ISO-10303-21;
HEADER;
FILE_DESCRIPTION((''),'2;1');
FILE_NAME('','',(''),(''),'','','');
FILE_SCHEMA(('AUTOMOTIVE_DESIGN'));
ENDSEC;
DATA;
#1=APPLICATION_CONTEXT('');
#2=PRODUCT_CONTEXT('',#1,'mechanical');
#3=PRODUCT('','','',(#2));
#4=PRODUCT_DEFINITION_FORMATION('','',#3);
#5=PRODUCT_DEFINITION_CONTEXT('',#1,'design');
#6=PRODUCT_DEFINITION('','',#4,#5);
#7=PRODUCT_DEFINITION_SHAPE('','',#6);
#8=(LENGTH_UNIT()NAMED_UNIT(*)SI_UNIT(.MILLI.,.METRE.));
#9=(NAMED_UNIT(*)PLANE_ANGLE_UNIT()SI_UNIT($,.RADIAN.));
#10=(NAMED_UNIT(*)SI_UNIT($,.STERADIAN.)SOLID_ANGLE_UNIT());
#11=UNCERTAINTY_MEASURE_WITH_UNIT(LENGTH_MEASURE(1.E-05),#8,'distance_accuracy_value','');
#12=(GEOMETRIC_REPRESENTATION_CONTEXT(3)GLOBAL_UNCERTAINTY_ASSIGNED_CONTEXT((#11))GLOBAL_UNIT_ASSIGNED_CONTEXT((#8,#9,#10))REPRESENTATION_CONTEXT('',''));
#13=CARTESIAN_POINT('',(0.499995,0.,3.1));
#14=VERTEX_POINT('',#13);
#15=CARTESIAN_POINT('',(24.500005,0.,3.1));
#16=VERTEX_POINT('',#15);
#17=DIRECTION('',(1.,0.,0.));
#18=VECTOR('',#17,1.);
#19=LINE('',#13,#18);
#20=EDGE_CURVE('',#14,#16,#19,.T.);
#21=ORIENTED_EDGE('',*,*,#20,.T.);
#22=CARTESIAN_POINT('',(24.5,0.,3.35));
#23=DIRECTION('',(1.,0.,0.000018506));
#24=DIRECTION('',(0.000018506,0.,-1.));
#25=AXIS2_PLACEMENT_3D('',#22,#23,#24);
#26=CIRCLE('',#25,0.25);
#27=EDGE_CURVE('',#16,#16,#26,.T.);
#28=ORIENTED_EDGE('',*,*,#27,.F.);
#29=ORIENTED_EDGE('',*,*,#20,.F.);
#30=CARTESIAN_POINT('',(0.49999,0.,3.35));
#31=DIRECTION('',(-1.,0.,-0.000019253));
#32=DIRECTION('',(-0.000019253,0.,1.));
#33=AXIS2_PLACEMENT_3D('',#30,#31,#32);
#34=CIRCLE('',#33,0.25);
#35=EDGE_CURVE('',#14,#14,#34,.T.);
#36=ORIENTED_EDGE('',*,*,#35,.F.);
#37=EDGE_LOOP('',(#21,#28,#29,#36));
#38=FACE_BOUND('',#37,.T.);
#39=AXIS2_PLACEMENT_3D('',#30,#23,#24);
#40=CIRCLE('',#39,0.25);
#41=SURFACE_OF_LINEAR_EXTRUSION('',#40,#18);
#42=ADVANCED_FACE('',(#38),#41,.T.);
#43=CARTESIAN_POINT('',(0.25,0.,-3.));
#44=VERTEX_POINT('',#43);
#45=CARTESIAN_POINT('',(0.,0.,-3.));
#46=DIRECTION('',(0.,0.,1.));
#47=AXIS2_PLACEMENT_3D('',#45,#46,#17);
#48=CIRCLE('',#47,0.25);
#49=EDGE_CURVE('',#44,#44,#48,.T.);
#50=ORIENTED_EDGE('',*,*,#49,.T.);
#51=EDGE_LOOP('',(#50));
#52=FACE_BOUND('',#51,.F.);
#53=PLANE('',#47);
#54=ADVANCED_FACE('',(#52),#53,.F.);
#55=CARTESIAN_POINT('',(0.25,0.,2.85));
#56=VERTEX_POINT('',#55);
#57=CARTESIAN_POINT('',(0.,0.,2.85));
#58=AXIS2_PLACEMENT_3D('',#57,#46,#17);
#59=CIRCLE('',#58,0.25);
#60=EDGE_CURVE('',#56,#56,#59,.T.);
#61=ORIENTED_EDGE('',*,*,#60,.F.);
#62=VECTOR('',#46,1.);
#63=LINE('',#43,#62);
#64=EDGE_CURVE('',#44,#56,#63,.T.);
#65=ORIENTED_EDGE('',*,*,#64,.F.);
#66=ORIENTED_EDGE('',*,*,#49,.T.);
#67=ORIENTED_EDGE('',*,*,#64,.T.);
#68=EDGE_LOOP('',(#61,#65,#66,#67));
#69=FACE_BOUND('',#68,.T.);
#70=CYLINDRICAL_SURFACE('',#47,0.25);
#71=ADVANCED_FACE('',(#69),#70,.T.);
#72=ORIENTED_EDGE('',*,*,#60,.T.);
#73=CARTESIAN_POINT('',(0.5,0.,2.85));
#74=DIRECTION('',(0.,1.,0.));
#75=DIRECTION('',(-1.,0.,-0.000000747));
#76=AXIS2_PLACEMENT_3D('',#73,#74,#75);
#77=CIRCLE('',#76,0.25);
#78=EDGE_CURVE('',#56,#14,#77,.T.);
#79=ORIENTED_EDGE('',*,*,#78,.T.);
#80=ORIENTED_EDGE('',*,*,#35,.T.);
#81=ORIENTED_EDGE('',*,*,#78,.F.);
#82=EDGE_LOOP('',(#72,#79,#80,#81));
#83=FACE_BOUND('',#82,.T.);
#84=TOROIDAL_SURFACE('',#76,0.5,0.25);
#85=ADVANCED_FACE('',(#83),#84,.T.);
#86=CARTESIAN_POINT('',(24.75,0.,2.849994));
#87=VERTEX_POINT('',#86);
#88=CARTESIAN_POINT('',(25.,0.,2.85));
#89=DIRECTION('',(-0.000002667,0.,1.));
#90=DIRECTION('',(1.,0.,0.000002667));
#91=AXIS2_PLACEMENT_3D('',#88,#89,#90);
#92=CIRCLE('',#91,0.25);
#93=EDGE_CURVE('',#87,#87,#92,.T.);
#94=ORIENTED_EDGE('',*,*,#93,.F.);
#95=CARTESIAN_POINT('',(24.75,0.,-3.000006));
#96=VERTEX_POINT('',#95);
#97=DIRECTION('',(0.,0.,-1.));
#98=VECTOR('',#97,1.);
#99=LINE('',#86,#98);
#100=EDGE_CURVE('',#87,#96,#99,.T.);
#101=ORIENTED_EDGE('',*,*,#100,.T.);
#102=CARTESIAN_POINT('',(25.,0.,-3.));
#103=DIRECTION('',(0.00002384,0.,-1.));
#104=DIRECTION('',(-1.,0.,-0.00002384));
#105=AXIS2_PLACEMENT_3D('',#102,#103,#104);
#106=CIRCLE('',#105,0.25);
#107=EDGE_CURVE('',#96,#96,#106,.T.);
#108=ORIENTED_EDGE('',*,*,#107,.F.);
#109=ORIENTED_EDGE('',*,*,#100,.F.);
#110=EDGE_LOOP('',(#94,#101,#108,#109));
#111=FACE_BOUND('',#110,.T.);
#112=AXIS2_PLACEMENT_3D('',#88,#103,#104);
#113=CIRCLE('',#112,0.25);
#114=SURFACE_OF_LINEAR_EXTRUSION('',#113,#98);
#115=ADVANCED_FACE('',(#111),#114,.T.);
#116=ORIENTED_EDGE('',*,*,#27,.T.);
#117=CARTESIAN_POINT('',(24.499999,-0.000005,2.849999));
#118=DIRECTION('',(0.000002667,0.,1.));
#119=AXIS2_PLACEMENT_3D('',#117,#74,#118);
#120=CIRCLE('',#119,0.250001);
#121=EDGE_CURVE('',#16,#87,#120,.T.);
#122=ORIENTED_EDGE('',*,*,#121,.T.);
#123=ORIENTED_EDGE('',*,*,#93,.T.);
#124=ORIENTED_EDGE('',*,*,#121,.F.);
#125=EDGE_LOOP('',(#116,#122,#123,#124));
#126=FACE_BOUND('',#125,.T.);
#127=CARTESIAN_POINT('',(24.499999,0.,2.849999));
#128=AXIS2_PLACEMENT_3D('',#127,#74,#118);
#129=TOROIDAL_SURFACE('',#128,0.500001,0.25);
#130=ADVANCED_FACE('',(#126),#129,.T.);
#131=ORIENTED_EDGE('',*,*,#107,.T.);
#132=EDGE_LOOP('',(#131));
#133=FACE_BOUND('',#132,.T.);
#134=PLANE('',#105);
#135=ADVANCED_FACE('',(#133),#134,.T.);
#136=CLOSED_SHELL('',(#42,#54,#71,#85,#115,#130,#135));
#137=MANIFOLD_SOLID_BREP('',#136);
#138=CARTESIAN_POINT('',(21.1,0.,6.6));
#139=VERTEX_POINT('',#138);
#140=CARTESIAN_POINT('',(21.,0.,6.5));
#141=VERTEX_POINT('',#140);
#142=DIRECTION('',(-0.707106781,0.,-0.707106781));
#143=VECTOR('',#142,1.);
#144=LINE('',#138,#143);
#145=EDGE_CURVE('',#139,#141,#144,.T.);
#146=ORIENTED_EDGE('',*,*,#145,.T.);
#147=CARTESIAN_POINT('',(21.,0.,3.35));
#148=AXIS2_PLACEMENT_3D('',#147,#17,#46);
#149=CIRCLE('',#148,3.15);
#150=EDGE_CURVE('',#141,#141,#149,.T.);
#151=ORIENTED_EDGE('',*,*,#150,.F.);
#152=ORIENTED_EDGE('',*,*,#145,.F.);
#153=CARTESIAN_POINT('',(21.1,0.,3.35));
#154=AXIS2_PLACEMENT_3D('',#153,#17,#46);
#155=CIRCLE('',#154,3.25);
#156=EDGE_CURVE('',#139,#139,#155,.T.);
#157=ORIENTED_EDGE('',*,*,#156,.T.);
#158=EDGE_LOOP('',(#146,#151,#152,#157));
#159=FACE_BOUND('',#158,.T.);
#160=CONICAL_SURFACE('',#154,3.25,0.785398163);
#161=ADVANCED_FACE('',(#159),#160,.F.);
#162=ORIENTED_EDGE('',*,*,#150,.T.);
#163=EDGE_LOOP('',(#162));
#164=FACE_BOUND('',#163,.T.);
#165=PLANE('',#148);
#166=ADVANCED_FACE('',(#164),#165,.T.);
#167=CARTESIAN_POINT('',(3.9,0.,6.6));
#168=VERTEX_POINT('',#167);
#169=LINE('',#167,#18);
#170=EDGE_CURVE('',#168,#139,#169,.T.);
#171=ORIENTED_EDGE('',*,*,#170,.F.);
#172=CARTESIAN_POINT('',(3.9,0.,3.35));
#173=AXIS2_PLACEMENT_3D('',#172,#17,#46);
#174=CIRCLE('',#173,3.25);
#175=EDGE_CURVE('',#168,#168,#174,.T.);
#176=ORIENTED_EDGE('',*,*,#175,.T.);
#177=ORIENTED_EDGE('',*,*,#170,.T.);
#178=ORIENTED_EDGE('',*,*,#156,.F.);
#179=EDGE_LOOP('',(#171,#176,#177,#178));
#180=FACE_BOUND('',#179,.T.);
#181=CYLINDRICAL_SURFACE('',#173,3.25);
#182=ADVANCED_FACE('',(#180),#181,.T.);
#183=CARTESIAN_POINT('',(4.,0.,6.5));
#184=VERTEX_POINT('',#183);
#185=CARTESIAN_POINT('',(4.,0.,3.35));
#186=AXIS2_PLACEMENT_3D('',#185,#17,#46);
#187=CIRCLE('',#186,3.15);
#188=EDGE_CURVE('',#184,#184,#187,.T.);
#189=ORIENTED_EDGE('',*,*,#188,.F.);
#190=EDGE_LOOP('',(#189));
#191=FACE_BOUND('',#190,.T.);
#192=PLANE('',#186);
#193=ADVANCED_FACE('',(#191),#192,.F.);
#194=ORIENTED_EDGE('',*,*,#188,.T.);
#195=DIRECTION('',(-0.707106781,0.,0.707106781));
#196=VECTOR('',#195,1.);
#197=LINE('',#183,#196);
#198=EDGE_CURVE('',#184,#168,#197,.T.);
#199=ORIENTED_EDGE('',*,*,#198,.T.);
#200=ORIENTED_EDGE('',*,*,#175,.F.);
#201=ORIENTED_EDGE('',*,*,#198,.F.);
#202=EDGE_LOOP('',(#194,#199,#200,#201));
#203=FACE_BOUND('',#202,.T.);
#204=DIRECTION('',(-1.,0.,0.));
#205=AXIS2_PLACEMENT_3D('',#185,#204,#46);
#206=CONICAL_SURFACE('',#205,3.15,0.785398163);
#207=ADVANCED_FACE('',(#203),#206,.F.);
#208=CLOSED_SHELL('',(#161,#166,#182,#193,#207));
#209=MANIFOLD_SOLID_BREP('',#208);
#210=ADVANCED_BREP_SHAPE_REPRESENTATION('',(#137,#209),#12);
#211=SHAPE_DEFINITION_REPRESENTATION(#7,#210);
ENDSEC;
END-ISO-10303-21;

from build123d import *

# Parameters (mm, degrees)
SKETCH_R = 0.25


with BuildPart() as sweep_body:
    # Sweep: sweep along a path in Sketch001
    with BuildLine(Plane.XZ) as sweep_path:
        Line((0, -3), (0, 2.85))
        ThreePointArc((0, 2.85), (0.146443, 3.20355), (0.49999, 3.35))
        Line((0.49999, 3.35), (24.5, 3.35))
        ThreePointArc((24.5, 3.35), (24.853553, 3.203553), (25, 2.85))
        Line((25, 2.85), (25, -3))
    # Sketch → Sweep (sweep)
    with BuildSketch(Plane.XY.offset(-2)):
        Circle(SKETCH_R)
    sweep(path=sweep_path.line)


with BuildPart() as revolution:
    # Sketch002 → Revolution (revolve)
    with BuildSketch(Plane.XZ):
        Polygon((3.9, 6.6), (21.1, 6.6), (21, 6.5), (21, 3.35), (4, 3.35), (4, 6.5), align=None)
    revolve(axis=Axis((7.611803, 0, 3.35), (1, 0, 0)))


solid = Compound([sweep_body.part, revolution.part])
